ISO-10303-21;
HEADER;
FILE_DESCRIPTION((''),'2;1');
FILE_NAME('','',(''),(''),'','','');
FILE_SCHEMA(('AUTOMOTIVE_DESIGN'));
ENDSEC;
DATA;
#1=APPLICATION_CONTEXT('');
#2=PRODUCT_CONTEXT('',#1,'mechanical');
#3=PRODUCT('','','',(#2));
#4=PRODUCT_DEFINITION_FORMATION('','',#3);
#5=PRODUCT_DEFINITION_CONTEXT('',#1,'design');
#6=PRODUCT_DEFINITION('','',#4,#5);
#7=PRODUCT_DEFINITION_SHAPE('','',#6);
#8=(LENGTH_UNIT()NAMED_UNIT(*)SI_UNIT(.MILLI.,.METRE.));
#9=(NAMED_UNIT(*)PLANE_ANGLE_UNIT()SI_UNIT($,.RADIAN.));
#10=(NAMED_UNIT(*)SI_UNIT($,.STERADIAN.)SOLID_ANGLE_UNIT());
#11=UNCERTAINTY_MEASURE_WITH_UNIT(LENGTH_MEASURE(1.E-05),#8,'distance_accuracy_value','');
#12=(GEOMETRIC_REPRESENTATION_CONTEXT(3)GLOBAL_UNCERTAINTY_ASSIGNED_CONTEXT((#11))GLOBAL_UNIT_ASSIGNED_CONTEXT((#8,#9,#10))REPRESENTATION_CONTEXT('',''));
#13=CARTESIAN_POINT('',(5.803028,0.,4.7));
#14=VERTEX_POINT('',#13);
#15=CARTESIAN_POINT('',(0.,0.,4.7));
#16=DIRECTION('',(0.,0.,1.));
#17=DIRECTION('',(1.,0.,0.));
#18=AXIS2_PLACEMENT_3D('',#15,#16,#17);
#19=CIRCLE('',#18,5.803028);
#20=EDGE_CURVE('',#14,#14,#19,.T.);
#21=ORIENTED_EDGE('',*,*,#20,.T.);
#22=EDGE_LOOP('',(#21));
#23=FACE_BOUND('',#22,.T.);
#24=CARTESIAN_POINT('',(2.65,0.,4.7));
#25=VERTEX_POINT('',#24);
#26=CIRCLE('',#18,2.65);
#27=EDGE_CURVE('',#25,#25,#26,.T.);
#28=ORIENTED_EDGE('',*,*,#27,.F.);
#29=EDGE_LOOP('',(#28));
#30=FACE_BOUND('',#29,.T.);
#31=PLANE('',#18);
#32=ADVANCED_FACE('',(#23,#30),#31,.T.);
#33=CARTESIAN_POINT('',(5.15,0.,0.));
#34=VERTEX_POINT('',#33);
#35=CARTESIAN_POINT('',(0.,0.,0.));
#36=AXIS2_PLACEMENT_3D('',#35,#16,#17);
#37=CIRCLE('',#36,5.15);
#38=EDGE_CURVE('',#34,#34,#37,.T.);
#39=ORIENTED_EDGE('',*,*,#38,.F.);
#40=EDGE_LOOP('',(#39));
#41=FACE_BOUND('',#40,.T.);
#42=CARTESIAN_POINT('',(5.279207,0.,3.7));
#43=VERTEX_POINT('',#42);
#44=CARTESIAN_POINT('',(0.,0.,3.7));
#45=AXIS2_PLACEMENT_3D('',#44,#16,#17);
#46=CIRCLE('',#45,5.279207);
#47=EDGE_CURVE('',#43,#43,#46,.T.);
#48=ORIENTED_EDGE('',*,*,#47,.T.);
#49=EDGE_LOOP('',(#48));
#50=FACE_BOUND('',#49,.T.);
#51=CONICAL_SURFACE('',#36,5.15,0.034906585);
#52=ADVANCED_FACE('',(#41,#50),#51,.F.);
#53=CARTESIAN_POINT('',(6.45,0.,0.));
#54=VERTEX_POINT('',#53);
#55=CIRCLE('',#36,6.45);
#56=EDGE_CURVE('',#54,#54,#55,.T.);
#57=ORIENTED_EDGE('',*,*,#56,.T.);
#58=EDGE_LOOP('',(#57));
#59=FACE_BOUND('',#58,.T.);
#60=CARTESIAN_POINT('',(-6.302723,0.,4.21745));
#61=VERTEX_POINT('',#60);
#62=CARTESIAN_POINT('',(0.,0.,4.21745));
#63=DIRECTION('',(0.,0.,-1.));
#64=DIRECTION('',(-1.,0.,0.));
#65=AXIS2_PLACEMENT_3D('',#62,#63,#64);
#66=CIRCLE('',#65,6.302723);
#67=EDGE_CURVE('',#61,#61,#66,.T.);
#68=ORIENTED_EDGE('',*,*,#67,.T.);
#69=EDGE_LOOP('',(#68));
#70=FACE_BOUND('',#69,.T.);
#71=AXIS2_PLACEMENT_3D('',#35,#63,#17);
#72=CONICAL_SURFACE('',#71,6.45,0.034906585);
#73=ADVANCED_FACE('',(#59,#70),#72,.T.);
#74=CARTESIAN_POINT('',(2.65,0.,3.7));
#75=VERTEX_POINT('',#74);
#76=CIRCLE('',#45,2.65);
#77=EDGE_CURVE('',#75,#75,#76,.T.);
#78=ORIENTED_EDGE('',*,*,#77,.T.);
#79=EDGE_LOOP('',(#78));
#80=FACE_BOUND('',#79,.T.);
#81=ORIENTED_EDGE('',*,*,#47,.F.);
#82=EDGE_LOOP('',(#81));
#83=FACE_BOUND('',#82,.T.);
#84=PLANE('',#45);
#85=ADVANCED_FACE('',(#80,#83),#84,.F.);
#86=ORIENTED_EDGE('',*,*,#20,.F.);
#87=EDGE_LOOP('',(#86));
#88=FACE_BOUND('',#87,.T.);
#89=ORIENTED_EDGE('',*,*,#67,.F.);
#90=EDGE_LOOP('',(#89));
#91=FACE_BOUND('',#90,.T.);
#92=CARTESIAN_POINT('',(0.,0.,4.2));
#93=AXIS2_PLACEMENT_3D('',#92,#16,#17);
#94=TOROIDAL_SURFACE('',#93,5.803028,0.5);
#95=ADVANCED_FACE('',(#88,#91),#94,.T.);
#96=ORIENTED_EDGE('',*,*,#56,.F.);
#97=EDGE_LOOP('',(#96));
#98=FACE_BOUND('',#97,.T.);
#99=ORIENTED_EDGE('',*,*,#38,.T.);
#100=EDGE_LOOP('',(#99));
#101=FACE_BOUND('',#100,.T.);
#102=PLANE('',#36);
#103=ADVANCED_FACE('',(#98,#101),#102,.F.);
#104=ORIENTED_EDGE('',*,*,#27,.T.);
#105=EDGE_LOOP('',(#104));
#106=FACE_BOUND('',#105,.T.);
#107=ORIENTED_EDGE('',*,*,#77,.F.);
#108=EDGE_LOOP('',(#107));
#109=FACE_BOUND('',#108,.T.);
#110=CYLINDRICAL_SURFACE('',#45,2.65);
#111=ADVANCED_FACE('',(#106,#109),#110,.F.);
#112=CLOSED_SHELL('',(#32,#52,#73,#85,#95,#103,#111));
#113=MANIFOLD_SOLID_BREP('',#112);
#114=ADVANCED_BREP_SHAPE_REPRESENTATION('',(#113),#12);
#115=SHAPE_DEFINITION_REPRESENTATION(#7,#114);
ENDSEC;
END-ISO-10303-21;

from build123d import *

# Parameters (mm, degrees)
ESQUISSE1_R        = 6.45
ESQUISSE1_R_2      = 5.15
BOSS_EXTRU_1_DEPTH = 4.7
BOSS_EXTRU_1_DRAFT = 2
ESQUISSE2_R        = 6.285872383
ESQUISSE2_R_2      = 2.65
BOSS_EXTRU_2_DEPTH = 1
CONG_1_R           = 0.5


with BuildPart() as part:
    # Esquisse1 → Boss.-Extru.1 (with draft: the straight prism first)
    with BuildSketch(Plane.XY):
        Circle(ESQUISSE1_R)
        Circle(ESQUISSE1_R_2, mode=Mode.SUBTRACT)
    extrude(amount=BOSS_EXTRU_1_DEPTH)
    # Boss.-Extru.1: the draft: its side faces are tilted about the plane it starts from
    boss_extru_1_sides = [part.faces().sort_by_distance(p)[0] for p in [
        (-6.45, 0, 2.35),
        (-5.15, 0, 2.35),
    ]]
    draft(boss_extru_1_sides, Plane.XY, BOSS_EXTRU_1_DRAFT)

    # Esquisse2 → Boss.-Extru.2 (add)
    with BuildSketch(Plane.XY.offset(4.7)):
        Circle(ESQUISSE2_R)
        Circle(ESQUISSE2_R_2, mode=Mode.SUBTRACT)
    extrude(amount=-BOSS_EXTRU_2_DEPTH)

    # Congé1
    cong_1_edges = [part.edges().sort_by_distance(p)[0] for p in [
        (-6.285872383, 0, 4.7),
    ]]
    fillet(cong_1_edges, radius=CONG_1_R)


solid = part.part
